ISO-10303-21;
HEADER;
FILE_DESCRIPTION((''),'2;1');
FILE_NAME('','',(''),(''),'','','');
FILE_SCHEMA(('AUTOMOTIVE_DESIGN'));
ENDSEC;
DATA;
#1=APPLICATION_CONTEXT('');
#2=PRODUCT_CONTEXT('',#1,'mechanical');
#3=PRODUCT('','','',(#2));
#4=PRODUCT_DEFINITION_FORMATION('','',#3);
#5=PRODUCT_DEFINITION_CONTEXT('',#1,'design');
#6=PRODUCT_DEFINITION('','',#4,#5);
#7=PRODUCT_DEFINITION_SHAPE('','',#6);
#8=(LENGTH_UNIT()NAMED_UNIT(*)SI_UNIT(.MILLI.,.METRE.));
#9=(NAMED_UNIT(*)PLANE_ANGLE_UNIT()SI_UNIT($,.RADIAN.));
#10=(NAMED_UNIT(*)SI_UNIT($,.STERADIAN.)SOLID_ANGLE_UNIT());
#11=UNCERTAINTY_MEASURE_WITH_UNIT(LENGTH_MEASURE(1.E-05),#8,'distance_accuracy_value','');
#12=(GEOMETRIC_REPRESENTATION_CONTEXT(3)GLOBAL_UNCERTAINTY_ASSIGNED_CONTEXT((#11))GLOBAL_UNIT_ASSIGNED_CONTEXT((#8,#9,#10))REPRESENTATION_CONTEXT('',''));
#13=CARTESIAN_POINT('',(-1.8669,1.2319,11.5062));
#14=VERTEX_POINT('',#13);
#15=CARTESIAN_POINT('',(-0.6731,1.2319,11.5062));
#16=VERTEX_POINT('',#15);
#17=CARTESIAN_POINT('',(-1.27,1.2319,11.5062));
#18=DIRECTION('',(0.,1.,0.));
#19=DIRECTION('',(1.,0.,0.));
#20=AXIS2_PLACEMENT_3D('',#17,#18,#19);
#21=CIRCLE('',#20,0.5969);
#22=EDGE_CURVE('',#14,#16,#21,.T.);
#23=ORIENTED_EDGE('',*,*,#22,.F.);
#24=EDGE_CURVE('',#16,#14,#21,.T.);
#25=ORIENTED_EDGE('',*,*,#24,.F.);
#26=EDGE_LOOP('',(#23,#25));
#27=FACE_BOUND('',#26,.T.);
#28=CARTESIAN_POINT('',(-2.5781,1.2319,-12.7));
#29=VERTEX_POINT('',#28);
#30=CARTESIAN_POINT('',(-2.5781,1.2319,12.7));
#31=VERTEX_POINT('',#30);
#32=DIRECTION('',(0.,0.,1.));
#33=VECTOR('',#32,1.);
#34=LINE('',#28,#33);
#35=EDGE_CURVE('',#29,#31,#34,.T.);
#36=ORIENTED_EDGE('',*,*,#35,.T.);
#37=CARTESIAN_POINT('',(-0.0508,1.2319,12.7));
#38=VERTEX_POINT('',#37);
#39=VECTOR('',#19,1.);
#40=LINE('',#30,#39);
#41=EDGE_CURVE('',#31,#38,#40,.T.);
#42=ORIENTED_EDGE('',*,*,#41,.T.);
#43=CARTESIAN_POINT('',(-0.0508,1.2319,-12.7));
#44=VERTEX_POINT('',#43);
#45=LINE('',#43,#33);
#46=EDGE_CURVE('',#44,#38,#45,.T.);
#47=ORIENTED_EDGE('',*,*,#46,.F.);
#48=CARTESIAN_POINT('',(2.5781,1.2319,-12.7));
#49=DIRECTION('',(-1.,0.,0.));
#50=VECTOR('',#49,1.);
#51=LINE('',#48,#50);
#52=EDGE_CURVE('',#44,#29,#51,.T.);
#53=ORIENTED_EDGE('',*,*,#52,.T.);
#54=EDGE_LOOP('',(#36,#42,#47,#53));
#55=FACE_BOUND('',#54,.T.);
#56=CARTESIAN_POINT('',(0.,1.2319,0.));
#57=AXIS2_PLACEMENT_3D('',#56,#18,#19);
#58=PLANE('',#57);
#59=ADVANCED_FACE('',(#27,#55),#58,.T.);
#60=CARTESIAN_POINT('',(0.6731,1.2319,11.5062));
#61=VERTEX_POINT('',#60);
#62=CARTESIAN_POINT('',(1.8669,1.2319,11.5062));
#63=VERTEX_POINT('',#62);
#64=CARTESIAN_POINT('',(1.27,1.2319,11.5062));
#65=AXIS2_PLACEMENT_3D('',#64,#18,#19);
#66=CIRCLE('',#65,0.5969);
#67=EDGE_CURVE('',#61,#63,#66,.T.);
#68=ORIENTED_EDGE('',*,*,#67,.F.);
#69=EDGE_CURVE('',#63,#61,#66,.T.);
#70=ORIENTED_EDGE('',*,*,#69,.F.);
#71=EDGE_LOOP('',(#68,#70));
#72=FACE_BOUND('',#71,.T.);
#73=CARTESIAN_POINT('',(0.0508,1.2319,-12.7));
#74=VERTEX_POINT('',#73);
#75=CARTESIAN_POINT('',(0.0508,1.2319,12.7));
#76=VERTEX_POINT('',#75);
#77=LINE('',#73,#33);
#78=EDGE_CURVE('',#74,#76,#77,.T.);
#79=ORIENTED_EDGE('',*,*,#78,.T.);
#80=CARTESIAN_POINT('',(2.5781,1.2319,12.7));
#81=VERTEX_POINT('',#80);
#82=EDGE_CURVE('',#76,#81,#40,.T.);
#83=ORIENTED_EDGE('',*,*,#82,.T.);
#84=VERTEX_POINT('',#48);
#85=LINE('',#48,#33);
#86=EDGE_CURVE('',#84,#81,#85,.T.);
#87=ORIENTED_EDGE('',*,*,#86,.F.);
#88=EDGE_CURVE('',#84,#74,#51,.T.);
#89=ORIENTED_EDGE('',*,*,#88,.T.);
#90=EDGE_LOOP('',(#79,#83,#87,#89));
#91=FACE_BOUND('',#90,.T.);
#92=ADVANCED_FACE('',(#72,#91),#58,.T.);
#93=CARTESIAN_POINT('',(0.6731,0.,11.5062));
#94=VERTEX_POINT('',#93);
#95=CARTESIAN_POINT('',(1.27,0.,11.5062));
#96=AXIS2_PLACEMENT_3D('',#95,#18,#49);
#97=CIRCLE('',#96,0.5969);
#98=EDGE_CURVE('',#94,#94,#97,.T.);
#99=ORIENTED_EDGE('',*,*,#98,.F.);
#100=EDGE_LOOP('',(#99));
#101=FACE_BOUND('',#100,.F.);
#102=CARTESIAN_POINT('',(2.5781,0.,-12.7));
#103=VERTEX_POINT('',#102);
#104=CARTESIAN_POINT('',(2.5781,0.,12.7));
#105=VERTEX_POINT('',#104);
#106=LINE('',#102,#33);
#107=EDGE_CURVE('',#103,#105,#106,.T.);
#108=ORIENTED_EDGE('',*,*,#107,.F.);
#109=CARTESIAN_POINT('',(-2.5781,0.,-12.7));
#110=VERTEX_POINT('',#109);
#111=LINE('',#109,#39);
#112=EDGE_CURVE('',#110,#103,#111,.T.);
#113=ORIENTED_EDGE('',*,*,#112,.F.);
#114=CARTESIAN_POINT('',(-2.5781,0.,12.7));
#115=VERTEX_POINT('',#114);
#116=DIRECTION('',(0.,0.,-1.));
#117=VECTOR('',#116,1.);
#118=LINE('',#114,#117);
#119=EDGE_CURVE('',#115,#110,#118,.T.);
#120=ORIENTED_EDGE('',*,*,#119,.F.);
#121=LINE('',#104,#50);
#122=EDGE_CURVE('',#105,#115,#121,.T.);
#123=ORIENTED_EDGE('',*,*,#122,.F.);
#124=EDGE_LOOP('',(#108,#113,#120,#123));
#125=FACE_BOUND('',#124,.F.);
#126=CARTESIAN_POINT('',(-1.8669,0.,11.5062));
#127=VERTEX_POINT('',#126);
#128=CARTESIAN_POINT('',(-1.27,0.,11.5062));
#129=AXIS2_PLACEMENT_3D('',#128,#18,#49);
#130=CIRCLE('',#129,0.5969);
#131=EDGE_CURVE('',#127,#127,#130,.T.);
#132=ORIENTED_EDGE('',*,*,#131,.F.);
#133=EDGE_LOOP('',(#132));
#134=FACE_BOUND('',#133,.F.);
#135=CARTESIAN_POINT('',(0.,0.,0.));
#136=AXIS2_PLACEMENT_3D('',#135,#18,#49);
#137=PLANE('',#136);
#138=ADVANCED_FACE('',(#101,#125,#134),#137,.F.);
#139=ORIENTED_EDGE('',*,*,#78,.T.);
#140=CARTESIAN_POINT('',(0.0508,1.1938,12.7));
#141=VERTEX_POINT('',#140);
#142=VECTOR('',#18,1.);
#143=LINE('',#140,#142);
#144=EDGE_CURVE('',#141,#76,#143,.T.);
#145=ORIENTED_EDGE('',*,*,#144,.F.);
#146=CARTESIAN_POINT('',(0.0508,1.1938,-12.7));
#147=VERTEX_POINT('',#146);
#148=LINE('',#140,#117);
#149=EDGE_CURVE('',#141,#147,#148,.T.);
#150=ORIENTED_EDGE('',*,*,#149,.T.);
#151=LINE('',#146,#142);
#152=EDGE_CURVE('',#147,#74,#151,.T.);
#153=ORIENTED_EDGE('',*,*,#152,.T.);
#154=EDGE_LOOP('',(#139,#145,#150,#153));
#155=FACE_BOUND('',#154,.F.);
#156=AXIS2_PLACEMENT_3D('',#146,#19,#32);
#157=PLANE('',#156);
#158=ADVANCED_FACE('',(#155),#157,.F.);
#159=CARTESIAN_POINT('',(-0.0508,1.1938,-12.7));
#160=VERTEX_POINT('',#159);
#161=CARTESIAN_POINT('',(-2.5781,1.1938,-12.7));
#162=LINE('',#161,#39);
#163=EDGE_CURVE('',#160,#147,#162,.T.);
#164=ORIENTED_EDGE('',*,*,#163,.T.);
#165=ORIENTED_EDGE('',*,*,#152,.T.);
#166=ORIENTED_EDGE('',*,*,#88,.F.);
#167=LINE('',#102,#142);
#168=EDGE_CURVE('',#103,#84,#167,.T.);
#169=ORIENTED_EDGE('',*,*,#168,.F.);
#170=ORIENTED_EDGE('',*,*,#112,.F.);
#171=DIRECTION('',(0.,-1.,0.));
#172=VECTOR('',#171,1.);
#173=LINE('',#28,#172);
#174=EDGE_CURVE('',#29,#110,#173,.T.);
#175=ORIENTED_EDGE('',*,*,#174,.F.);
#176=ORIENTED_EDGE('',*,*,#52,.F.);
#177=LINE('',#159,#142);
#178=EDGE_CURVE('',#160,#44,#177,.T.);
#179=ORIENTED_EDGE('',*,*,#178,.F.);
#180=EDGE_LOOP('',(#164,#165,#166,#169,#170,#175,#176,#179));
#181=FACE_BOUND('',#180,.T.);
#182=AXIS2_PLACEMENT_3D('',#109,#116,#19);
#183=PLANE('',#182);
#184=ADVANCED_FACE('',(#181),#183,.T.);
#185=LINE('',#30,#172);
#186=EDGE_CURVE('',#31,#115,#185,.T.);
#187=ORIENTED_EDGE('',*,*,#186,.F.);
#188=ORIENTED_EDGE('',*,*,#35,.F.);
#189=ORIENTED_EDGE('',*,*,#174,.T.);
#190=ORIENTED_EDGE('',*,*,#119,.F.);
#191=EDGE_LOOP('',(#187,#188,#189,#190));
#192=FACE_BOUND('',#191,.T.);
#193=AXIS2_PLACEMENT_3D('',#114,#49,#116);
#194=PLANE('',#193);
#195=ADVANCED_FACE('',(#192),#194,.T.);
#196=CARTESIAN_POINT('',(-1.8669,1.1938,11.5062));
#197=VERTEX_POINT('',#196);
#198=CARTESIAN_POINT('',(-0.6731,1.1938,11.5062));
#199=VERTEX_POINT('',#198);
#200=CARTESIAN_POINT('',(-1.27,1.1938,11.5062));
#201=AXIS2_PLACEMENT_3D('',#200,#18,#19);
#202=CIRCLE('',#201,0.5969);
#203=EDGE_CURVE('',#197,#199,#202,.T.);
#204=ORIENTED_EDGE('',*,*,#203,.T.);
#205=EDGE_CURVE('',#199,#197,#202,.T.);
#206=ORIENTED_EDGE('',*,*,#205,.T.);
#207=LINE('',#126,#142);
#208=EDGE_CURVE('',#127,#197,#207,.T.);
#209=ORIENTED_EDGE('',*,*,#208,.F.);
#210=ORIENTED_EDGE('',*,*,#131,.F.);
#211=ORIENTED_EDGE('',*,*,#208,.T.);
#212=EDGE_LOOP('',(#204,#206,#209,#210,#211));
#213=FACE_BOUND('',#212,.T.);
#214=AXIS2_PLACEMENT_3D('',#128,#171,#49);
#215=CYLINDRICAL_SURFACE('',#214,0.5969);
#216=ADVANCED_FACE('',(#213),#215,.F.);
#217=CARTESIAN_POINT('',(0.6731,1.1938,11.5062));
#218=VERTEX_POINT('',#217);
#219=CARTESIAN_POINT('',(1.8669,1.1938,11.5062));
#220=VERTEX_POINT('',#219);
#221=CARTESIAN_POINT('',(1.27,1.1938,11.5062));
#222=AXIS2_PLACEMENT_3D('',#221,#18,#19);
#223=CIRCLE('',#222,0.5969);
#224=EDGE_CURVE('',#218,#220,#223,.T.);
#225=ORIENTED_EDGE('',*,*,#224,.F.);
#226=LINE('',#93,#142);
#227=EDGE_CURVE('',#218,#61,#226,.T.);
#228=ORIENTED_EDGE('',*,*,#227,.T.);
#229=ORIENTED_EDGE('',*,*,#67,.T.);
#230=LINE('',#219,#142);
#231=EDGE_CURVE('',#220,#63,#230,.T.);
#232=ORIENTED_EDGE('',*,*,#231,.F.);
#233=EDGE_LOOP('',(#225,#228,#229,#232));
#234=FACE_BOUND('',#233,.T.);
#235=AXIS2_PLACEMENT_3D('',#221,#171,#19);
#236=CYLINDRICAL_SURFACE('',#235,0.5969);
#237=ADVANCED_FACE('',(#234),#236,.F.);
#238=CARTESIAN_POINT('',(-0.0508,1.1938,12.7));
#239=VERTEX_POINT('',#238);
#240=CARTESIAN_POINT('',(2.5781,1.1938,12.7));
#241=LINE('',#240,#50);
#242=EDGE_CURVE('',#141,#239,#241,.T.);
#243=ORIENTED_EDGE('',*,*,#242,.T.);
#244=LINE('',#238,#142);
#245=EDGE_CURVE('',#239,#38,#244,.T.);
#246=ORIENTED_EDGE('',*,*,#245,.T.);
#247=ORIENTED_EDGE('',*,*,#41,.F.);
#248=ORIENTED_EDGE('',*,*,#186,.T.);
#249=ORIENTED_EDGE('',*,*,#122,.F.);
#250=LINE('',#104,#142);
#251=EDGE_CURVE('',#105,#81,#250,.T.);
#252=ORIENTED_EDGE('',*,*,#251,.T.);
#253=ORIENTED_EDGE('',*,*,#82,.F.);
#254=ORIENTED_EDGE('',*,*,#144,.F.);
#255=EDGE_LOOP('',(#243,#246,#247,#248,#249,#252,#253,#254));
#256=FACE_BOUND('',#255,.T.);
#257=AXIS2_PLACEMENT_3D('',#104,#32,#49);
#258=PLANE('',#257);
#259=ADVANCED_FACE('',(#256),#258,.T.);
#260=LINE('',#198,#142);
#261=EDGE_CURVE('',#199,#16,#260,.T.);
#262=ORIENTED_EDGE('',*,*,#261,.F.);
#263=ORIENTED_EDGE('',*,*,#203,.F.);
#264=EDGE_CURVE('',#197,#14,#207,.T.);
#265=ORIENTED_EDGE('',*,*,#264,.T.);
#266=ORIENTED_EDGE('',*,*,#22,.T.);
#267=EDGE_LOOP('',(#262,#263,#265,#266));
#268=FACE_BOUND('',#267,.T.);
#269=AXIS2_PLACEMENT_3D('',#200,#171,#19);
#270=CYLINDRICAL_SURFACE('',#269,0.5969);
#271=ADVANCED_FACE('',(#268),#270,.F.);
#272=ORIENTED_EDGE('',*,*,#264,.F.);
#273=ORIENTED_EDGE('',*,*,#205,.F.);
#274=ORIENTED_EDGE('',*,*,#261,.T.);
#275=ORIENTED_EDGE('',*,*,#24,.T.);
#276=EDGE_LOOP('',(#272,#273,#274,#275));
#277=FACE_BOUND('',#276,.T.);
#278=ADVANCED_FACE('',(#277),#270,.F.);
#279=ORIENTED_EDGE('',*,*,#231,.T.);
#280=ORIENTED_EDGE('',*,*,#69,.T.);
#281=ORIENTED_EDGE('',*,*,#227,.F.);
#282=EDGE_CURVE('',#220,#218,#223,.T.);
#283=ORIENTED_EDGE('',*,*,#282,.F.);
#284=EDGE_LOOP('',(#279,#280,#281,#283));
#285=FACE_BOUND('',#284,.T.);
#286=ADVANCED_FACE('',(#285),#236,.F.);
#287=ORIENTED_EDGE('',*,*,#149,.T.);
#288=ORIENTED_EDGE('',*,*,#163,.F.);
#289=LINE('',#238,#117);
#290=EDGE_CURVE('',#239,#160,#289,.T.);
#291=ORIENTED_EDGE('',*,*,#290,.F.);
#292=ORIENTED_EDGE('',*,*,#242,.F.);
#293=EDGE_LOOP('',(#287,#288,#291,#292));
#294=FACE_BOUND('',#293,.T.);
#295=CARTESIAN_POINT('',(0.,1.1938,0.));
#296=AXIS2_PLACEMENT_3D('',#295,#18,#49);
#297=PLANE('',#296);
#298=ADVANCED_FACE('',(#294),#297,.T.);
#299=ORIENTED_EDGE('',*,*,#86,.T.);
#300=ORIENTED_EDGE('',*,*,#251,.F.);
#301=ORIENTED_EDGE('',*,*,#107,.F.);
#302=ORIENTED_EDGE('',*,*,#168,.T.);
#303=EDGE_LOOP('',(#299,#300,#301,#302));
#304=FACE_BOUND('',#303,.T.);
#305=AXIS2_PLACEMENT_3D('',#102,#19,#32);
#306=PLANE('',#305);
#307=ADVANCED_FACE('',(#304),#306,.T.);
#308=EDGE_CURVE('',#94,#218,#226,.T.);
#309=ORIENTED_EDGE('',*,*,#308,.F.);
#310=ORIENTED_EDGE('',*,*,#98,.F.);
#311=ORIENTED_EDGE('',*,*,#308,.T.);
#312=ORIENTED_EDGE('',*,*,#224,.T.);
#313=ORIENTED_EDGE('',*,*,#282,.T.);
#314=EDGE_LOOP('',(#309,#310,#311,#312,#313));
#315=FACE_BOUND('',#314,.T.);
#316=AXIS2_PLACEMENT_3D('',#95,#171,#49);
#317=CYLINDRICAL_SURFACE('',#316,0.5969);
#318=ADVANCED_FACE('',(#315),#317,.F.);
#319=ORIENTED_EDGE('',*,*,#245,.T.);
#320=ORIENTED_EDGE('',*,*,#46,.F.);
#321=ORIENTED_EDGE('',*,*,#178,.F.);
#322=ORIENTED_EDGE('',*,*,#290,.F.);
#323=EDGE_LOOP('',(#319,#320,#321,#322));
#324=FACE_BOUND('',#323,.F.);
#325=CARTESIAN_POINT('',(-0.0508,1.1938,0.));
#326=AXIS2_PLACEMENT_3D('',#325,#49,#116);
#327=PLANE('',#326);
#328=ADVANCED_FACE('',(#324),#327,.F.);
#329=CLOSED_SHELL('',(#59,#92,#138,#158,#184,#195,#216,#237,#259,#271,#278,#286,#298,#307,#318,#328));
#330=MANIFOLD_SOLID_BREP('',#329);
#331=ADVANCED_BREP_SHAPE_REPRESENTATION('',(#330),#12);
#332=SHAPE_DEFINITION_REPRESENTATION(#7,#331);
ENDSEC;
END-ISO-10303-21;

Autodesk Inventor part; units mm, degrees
ref_plane "YZ Plane" through (0, 0, 0) normal (1, 0, 0) x (0, 1, 0)
ref_plane "XZ Plane" through (0, 0, 0) normal (0, 1, 0) x (-1, 0, 0)
ref_plane "XY Plane" through (0, 0, 0) normal (0, 0, 1) x (1, 0, 0)
sketch "Sketch1" plane through (0, 0, 0) normal (0, 1, 0) x (-1, 0, 0)
  line L0 (-2.5781, 12.7) -> (2.5781, 12.7)
  line L1 (2.5781, 12.7) -> (2.5781, -12.7)
  line L2 (2.5781, -12.7) -> (-2.5781, -12.7)
  line L3 (-2.5781, -12.7) -> (-2.5781, 12.7)
  line L4 (-2.5781, 12.7) -> (2.5781, -12.7) construction
  line L5 (2.5781, 12.7) -> (-2.5781, -12.7) construction
  point P0 (0, 0)
  dimension "d0" = 5.1562
  dimension "d1" = 25.4
extrude "Extrusion1" add sketch "Sketch1" along normal blind 1.1938
sketch "Sketch2" plane through (0, 1.1938, 0) normal (0, 1, 0) x (1, 0, 0)
  line L0 (2.5781, 12.7) -> (-2.5781, 12.7) projected
  line L1 (-2.5781, 12.7) -> (-2.5781, -12.7) projected
  line L2 (-2.5781, -12.7) -> (2.5781, -12.7) projected
  line L3 (2.5781, -12.7) -> (2.5781, 12.7) projected
  line L4 (-3.6093, 0) -> (3.6093, 0) projected
  line L5 (0, 17.78) -> (0, -17.78) projected
  circle A0 centre (1.27, -11.5062) radius 0.5969
  circle A1 centre (-1.27, -11.5062) radius 0.5969
  line L6 (2.5781, 12.7) -> (-2.5781, 12.7) projected
  line L7 (0.0508, -12.7) -> (-0.0508, -12.7)
  line L8 (-0.0508, -12.7) -> (-0.0508, 12.7)
  line L9 (-0.0508, 12.7) -> (0.0508, 12.7)
  line L10 (0.0508, 12.7) -> (0.0508, -12.7)
  line L11 (0.0508, -12.7) -> (-0.0508, 12.7) construction
  line L12 (-0.0508, -12.7) -> (0.0508, 12.7) construction
  point P0 (0, 0)
  dimension "d4" = 1.1938
  dimension "d5" = 1.1938
  dimension "d8" = 1.27
  dimension "d9" = 0.1016
extrude "Extrusion2" add sketch "Sketch2" along normal blind 0.0381 contours L3 L4 L10 L0 | L3 L2 L10 L4 | L8 L4 L1 L0 | L8 L2 L1 L4
sketch "Sketch3" plane through (1.27, 1.1938, 11.5062) normal (0, 1, 0) x (1, 0, 0)
  point P0 (-1.27, 11.5062)
sketch "Sketch4" plane through (0, 0, 0) normal (0, 1, 0) x (-1, 0, 0)
  circle A0 centre (-1.27, 11.5062) radius 0.5969 projected
  circle A1 centre (1.27, 11.5062) radius 0.5969 projected
  line L0 (3.6093, 0) -> (-3.6093, 0) projected
  line L1 (0, -17.78) -> (0, 17.78) projected
  line L2 (0.0508, -12.7) -> (2.5781, -12.7) projected
  line L3 (2.5781, -12.7) -> (2.5781, 12.7) projected
  line L4 (2.5781, 12.7) -> (0.0508, 12.7) projected
  line L5 (0.0508, 12.7) -> (0.0508, -12.7) projected
  circle A2 centre (1.27, 11.5062) radius 0.5969 projected
  line L6 (-0.0508, 12.7) -> (-2.5781, 12.7) projected
  line L7 (-2.5781, 12.7) -> (-2.5781, -12.7) projected
  line L8 (-2.5781, -12.7) -> (-0.0508, -12.7) projected
  line L9 (-0.0508, -12.7) -> (-0.0508, 12.7) projected
  circle A3 centre (-1.27, 11.5062) radius 0.5969 projected
  point P0 (0, 0)
extrude "Extrusion3" cut sketch "Sketch4" along normal through all contours A0 | A1
equation "\"BendRadius\" = Thickness"
equation "\"BendReliefWidth\" = Thickness"
equation "\"BendReliefDepth\" = 0.5 * Thickness"
equation "\"CornerReliefSize\" = 4 * Thickness"
equation "\"MinimumRemnant\" = 2 * Thickness"
equation "\"TransitionRadius\" = BendRadius"
equation "\"JacobiRadiusSize\" = BendRadius"
equation "\"GapSize\" = Thickness"
equation "\"Thickness\" = 3.048"
properties part number "Leads+ChannelForSingleHeater"
